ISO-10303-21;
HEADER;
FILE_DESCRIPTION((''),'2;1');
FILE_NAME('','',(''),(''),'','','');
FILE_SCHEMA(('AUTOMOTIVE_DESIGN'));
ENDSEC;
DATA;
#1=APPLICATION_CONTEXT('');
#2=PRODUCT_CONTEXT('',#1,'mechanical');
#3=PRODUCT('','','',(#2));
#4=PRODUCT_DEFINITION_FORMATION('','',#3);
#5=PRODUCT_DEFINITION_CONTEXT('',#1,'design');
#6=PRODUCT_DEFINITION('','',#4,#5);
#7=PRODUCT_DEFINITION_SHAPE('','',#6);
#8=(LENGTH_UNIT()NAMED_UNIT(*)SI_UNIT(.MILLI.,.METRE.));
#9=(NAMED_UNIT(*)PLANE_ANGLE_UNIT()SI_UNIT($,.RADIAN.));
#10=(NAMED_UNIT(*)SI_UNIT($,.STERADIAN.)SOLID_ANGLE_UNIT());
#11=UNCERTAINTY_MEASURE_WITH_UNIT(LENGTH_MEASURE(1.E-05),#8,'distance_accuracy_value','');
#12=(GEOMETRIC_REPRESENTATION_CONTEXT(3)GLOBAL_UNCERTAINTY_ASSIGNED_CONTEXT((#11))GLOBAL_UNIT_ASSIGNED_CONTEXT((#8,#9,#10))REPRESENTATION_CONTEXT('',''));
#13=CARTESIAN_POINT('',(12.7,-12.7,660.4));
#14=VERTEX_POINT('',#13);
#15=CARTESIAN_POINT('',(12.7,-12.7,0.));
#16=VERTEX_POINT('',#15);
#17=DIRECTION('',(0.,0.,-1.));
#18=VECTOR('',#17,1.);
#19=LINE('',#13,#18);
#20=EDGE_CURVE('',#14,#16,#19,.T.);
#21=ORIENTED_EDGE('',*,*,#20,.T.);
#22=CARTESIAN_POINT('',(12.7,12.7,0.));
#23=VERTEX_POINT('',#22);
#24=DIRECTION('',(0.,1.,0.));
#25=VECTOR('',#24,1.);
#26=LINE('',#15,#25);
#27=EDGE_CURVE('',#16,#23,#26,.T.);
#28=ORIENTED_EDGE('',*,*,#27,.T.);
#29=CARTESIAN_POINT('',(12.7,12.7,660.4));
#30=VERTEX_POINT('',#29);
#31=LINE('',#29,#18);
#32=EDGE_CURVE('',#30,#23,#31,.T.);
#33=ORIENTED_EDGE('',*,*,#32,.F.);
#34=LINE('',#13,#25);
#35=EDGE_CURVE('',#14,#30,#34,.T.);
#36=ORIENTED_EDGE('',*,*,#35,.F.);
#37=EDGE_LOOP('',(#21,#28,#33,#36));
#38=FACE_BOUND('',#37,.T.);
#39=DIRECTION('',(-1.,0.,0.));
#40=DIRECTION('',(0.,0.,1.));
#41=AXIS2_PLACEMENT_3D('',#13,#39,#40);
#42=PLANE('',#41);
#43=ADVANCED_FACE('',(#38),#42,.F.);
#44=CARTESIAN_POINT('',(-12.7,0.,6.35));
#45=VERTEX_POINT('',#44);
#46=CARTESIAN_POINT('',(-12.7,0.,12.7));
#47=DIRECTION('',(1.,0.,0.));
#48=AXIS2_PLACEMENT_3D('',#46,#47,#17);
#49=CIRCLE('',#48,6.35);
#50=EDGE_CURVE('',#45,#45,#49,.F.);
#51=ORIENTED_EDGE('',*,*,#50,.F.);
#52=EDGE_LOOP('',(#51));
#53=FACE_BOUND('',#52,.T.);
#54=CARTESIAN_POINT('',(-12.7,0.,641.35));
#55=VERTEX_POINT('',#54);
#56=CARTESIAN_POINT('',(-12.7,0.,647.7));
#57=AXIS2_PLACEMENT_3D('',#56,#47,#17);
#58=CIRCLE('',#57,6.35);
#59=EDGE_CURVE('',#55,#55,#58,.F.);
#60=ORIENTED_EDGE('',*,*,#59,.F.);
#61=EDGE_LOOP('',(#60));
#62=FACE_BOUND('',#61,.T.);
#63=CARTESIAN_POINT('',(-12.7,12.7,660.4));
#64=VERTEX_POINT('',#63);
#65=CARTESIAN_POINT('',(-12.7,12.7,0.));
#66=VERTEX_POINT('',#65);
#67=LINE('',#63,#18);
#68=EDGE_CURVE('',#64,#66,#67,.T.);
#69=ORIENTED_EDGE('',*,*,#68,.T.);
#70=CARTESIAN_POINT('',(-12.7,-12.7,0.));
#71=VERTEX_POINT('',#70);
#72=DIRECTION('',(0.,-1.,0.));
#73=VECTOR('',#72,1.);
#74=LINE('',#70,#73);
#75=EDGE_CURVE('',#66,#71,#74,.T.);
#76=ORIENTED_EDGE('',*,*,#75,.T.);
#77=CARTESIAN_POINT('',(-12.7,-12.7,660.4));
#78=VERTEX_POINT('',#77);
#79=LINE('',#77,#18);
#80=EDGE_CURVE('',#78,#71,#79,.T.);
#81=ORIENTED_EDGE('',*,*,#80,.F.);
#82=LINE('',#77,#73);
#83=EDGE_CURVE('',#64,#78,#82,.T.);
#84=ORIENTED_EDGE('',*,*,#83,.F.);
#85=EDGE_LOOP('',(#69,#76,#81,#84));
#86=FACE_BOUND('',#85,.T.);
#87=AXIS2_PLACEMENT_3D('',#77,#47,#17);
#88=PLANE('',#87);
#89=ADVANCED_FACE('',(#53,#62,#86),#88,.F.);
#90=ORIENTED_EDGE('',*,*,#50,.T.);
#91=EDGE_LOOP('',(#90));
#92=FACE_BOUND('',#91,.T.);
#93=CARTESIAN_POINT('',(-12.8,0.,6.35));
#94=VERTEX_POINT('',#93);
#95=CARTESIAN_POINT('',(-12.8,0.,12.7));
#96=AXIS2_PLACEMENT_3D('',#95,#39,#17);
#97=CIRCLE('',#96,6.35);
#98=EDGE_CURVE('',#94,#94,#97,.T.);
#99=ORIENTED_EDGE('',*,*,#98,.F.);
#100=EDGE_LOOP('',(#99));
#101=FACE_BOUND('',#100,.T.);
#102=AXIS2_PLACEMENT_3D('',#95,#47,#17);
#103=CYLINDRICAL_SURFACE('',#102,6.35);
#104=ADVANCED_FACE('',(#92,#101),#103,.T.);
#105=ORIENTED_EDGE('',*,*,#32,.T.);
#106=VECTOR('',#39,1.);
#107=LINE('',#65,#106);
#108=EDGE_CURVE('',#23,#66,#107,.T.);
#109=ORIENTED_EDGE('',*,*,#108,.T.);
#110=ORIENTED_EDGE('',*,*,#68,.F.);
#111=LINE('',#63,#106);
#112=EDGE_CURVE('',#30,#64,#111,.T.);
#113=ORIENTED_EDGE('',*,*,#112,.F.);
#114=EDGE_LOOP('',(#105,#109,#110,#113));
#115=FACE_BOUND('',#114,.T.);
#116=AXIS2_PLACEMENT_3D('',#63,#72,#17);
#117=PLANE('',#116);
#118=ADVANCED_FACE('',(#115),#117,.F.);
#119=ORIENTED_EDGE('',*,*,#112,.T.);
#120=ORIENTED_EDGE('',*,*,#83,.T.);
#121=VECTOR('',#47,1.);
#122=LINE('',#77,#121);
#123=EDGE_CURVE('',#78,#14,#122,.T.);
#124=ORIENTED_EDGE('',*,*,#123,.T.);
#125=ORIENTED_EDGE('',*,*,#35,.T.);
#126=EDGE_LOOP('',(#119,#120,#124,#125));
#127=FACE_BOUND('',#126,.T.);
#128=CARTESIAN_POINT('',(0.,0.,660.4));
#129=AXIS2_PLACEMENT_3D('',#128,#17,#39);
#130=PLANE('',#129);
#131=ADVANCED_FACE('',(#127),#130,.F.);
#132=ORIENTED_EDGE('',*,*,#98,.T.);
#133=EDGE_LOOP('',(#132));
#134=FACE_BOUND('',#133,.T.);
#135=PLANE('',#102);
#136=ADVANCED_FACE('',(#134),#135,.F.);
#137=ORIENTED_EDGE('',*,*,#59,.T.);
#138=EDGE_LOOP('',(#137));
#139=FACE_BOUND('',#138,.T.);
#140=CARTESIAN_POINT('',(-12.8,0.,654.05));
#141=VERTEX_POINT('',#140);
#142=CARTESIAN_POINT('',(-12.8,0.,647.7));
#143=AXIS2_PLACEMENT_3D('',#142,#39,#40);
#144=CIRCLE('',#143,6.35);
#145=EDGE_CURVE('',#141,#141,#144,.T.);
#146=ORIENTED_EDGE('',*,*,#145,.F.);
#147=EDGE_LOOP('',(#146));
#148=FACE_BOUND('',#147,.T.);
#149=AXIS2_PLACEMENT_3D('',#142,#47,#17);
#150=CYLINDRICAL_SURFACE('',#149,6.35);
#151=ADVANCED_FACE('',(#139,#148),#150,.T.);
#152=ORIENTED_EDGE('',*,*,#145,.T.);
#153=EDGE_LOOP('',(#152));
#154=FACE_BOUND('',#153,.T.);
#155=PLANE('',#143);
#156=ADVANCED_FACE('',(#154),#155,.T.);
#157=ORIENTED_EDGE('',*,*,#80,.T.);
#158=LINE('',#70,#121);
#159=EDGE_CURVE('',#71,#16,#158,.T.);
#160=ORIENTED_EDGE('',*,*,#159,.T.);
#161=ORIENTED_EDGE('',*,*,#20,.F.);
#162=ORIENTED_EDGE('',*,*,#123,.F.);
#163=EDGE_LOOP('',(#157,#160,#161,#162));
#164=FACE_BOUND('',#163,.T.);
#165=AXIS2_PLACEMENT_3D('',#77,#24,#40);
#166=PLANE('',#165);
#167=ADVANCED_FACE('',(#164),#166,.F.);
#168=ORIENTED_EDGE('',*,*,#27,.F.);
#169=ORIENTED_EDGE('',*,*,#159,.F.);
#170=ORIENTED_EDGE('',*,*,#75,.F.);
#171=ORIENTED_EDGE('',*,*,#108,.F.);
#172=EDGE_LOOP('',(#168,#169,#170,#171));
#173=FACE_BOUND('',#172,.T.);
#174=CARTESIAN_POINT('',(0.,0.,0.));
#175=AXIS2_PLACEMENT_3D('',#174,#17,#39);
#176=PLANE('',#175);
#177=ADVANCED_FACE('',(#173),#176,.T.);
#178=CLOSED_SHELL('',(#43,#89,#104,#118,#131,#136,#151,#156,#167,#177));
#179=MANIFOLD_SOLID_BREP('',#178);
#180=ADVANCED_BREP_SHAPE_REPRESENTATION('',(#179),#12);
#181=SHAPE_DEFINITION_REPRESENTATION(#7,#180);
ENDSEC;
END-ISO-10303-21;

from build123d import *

# Parameters (mm, degrees)
SKETCH1_W           = 25.4
SKETCH1_H           = 25.4
BOSS_EXTRUDE1_DEPTH = 660.4
SKETCH2_R           = 6.35
BOSS_EXTRUDE2_DEPTH = 0.1


with BuildPart() as part:
    # Sketch1 → Boss-Extrude1 (new body)
    with BuildSketch(Plane.XY):
        Rectangle(SKETCH1_W, SKETCH1_H)
    extrude(amount=BOSS_EXTRUDE1_DEPTH)

    # Sketch2 → Boss-Extrude2 (add)
    with BuildSketch(Plane.ZY.offset(12.7)):
        with Locations((647.7, 0)):
            Circle(SKETCH2_R)
        with Locations((12.7, 0)):
            Circle(SKETCH2_R)
    extrude(amount=BOSS_EXTRUDE2_DEPTH)


solid = part.part
